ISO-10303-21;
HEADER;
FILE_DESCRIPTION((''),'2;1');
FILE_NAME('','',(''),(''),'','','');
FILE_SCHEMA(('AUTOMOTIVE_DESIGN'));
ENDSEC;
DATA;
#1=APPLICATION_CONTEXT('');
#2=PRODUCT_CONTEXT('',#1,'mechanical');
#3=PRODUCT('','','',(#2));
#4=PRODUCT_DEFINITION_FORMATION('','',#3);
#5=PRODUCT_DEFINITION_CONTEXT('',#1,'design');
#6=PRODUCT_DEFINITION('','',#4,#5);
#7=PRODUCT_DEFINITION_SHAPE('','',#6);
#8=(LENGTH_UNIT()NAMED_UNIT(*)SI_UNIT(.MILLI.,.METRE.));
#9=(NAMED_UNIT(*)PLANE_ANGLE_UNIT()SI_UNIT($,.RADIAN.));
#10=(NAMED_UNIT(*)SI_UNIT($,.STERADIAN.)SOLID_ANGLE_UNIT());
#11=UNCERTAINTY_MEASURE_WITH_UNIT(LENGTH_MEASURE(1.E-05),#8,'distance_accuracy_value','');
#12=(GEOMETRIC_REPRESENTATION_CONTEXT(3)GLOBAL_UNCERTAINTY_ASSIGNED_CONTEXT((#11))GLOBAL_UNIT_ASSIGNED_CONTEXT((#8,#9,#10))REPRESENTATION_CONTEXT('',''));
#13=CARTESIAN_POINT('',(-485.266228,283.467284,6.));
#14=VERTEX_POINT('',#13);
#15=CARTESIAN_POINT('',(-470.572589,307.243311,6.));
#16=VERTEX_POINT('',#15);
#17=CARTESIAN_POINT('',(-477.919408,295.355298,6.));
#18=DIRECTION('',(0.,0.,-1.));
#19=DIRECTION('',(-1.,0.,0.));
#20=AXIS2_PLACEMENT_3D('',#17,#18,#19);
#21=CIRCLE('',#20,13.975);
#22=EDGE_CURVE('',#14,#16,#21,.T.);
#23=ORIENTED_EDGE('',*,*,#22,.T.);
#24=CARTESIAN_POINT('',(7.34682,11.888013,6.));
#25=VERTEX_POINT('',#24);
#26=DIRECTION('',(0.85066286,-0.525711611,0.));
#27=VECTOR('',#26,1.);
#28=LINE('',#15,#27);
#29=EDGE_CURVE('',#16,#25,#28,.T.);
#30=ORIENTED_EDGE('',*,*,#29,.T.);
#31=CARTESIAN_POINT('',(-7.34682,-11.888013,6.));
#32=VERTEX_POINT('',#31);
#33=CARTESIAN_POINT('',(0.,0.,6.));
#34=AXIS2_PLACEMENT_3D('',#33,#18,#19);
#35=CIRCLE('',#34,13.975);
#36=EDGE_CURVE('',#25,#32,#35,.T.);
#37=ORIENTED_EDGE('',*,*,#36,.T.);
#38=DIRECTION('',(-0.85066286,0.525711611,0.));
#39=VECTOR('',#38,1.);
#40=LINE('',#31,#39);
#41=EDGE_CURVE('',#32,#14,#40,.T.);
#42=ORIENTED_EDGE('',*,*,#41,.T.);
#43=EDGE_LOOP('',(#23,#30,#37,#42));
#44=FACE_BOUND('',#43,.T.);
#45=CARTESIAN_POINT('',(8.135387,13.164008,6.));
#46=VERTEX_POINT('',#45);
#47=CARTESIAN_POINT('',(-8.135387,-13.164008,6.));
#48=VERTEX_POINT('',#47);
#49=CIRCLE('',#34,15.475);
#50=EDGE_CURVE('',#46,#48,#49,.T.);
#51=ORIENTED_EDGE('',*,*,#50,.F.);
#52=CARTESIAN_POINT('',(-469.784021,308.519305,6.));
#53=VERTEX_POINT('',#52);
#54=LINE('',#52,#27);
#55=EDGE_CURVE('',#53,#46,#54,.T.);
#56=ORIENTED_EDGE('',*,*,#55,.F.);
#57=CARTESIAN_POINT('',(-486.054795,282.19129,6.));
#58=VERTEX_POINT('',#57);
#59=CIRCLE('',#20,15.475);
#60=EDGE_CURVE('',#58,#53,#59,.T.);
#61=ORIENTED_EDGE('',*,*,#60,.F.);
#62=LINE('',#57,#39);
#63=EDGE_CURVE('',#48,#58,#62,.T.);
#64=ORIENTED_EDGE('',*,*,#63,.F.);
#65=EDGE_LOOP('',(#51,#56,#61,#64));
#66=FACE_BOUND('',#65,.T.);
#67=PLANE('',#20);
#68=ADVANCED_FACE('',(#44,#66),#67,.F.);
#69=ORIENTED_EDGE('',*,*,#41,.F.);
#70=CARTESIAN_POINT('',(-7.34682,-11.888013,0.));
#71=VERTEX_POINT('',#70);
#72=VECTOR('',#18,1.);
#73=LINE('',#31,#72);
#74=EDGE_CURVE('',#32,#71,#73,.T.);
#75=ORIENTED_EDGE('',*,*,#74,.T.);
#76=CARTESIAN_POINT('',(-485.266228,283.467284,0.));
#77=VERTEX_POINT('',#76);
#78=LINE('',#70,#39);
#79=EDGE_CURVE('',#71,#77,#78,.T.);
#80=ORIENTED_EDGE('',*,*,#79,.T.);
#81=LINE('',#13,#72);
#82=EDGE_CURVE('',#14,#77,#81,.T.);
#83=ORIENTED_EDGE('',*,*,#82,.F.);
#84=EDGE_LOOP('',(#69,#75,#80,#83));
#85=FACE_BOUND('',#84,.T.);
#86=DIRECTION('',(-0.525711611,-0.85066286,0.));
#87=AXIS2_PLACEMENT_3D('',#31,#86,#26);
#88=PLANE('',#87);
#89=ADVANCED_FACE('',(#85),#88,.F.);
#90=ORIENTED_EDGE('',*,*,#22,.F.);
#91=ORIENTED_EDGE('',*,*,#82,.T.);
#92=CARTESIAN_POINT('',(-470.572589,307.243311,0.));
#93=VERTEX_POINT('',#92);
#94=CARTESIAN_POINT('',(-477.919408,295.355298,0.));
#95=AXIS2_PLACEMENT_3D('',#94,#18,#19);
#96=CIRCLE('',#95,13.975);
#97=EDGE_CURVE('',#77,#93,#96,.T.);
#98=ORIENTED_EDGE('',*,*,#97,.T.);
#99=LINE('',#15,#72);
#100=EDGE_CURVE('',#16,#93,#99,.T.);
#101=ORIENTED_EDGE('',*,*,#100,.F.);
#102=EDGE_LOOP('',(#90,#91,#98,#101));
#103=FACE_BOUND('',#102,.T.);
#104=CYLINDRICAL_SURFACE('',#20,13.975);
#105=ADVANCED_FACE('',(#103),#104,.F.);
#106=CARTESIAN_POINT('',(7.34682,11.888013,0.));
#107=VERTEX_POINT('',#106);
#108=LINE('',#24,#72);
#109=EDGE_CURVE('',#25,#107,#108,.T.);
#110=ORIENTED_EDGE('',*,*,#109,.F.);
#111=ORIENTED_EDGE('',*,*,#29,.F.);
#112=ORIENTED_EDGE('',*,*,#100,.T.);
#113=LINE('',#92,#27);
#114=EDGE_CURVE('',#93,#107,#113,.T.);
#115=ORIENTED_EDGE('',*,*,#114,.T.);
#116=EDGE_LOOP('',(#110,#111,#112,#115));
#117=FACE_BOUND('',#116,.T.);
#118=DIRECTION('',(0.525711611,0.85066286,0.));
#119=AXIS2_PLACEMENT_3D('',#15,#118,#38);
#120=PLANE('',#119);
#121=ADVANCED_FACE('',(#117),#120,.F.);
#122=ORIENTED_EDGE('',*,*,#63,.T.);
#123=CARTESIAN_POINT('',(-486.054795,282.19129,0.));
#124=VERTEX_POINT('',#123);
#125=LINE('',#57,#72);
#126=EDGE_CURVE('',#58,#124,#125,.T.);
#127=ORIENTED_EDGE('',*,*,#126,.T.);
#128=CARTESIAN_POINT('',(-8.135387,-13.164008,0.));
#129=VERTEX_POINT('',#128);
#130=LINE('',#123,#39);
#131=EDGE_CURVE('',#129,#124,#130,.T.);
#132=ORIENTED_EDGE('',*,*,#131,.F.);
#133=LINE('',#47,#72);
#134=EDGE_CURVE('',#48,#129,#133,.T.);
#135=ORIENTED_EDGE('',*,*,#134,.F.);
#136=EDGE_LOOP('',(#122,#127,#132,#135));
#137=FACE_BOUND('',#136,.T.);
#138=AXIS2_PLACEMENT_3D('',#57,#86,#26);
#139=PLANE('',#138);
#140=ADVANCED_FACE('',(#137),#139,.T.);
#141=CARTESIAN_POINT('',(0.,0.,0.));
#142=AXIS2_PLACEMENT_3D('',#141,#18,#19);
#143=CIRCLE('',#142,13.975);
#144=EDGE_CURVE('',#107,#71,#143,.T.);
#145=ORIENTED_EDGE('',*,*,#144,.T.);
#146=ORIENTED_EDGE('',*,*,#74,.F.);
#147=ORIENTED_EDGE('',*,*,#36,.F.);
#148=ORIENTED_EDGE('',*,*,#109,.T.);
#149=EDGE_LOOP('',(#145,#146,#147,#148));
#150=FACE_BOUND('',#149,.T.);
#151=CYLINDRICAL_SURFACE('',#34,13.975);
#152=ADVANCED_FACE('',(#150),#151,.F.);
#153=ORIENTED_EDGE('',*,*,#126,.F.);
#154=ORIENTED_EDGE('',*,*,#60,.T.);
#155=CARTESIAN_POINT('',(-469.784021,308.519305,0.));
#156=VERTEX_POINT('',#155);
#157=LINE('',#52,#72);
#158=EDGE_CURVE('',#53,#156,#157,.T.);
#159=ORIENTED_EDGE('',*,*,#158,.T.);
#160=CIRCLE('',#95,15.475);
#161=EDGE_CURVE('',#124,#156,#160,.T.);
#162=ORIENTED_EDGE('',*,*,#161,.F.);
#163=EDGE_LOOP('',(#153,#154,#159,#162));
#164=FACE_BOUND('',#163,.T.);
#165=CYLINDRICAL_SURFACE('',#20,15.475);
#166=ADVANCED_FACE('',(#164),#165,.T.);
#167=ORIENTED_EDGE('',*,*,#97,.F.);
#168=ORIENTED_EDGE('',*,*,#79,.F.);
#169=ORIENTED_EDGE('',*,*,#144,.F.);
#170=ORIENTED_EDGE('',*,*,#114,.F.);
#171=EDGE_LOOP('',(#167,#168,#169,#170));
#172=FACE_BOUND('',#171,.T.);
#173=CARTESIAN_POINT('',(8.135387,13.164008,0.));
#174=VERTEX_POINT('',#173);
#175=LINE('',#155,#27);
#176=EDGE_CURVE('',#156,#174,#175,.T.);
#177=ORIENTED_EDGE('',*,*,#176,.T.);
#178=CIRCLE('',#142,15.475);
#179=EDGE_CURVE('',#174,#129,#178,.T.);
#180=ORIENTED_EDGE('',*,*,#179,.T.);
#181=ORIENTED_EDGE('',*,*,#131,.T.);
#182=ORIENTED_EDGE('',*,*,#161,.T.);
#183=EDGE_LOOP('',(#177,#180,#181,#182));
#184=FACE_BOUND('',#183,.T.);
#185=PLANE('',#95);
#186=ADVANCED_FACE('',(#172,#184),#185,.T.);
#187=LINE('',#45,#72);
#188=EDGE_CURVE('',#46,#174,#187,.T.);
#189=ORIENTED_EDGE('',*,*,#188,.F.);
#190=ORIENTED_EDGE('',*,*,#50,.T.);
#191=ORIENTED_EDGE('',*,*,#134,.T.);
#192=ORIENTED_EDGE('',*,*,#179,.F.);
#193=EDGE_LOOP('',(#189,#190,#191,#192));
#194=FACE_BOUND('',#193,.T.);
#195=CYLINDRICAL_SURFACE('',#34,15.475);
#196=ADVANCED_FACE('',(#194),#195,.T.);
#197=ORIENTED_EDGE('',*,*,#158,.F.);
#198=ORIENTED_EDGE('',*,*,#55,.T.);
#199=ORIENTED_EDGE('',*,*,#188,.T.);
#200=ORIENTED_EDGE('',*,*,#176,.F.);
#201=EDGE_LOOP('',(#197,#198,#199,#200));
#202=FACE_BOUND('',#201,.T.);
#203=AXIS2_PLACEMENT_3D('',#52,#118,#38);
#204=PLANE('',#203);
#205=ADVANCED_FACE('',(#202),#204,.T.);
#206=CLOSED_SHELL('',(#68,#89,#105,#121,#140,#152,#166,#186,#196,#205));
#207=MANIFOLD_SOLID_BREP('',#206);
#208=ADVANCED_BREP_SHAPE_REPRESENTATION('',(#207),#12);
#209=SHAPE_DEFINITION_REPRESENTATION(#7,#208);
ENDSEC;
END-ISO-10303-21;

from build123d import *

# Parameters (mm, degrees)
EXTRUDE_1_DEPTH = 6


with BuildPart() as part:
    # 草图2 → 拉伸-薄壁1 (new body)
    with BuildSketch(Plane.XY):
        with BuildLine():
            Line((-469.784021129, 308.519305272), (8.135387184, 13.164007762))
            ThreePointArc((8.135387184, 13.164007762), (13.164007763, -8.135387184), (-8.135387184, -13.164007763))
            Line((-8.135387184, -13.164007763), (-486.054795496, 282.191289747))
            ThreePointArc((-486.054795496, 282.191289747), (-491.083416075, 303.490684693), (-469.784021129, 308.519305272))
        make_face()
        with BuildLine():
            Line((-470.572588546, 307.243310982), (7.346819767, 11.888013472))
            ThreePointArc((7.346819767, 11.888013472), (11.888013472, -7.346819767), (-7.346819767, -11.888013472))
            Line((-7.346819767, -11.888013472), (-485.266228079, 283.467284037))
            ThreePointArc((-485.266228079, 283.467284037), (-489.807421785, 302.702117276), (-470.572588546, 307.243310982))
        make_face(mode=Mode.SUBTRACT)
    extrude(amount=EXTRUDE_1_DEPTH)


solid = part.part
